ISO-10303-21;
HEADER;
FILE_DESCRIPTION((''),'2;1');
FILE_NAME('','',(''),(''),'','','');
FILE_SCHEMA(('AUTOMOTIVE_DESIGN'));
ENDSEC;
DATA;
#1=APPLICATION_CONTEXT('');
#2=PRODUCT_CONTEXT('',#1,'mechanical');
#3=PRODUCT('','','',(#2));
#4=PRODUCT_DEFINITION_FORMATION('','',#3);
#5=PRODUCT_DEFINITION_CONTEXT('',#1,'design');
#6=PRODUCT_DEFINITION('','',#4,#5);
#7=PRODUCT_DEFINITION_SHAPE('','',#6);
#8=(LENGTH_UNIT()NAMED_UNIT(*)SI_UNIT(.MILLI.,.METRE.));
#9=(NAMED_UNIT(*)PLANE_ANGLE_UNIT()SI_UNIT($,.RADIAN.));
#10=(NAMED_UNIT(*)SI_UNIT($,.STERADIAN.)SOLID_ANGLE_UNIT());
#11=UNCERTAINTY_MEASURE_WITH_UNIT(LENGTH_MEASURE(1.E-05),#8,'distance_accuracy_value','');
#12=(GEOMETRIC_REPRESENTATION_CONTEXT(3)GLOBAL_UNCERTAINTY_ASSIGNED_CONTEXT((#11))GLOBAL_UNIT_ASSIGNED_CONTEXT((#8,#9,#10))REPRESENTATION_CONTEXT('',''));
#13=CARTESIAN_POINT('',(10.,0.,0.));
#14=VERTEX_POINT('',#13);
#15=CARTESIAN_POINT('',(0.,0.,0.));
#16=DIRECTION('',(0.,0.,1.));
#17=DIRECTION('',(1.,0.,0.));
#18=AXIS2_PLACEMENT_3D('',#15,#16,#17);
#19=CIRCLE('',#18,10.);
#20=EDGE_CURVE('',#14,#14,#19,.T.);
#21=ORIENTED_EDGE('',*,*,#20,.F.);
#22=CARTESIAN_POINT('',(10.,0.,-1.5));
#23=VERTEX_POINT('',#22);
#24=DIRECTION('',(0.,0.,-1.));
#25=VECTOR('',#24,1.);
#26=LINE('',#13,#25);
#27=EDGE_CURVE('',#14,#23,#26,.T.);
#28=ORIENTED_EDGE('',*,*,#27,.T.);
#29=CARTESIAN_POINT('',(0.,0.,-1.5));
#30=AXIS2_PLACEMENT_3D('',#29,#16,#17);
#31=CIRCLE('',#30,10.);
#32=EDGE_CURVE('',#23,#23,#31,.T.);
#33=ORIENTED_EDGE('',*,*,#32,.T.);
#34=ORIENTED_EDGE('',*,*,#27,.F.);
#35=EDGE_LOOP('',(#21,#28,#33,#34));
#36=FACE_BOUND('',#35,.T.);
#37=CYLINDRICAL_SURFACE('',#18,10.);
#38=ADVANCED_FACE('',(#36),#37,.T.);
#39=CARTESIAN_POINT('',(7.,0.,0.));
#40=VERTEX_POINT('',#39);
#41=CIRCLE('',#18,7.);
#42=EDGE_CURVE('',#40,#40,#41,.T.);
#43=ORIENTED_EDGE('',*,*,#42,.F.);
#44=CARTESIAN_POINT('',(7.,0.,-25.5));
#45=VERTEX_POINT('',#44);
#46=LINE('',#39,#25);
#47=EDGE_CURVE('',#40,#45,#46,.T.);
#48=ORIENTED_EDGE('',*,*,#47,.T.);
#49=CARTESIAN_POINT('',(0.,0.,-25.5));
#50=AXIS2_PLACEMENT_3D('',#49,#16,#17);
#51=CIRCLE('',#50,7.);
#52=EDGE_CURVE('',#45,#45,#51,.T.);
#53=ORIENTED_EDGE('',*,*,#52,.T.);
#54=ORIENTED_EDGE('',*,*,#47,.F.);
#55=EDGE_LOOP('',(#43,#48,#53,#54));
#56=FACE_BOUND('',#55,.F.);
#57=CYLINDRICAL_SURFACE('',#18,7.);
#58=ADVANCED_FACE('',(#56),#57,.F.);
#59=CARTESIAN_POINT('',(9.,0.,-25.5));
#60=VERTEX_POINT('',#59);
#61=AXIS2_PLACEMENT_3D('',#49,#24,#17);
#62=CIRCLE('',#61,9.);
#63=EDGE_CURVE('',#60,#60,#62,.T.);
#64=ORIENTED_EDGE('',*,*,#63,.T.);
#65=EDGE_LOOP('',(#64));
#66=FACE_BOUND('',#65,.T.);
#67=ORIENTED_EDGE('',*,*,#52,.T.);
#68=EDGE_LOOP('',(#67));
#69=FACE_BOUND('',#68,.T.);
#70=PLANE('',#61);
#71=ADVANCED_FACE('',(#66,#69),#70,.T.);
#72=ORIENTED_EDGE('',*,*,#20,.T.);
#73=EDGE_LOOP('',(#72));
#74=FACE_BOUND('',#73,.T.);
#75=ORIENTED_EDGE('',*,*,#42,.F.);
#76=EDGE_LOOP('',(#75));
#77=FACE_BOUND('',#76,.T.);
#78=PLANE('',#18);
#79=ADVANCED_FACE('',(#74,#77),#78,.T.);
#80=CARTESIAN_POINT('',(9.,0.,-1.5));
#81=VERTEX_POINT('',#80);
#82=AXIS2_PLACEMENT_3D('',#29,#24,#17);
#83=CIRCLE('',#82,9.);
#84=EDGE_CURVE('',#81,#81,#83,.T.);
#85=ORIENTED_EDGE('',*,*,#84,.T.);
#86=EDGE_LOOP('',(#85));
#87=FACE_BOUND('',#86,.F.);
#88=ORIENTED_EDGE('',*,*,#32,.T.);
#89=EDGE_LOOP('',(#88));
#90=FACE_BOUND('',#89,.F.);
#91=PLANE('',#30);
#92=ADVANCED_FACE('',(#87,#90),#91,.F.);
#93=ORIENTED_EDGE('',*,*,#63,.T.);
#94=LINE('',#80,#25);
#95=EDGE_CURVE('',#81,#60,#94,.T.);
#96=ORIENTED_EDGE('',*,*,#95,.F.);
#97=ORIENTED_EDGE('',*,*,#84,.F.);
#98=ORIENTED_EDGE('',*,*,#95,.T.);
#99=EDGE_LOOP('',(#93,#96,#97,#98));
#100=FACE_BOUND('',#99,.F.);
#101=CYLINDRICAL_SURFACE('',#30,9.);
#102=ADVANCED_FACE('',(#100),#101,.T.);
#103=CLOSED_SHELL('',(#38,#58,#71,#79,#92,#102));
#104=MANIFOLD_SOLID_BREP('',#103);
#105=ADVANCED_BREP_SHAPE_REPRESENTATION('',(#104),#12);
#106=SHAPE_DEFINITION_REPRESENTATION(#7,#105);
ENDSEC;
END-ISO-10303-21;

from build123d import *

# Parameters (mm, degrees)
F0_R     = 10
F1_DEPTH = 1.5
F2_R     = 9
F3_DEPTH = 24
F4_R     = 7
F5_DEPTH = 25.501


with BuildPart() as f1:
    # F0 (on Top) → F1 (new body)
    with BuildSketch(Plane.XY):
        Circle(F0_R)
    extrude(amount=-F1_DEPTH)

    # F2 (on face) → F3 (join)
    with BuildSketch(Plane(origin=(0, 0, -1.5), x_dir=(1, 0, 0), z_dir=(0, 0, -1))):
        Circle(F2_R)
    extrude(amount=F3_DEPTH)

    # F4 (on face) → F5 (cut, through all)
    with BuildSketch(Plane.XY):
        Circle(F4_R)
    extrude(amount=-F5_DEPTH, mode=Mode.SUBTRACT)


solid = f1.part
